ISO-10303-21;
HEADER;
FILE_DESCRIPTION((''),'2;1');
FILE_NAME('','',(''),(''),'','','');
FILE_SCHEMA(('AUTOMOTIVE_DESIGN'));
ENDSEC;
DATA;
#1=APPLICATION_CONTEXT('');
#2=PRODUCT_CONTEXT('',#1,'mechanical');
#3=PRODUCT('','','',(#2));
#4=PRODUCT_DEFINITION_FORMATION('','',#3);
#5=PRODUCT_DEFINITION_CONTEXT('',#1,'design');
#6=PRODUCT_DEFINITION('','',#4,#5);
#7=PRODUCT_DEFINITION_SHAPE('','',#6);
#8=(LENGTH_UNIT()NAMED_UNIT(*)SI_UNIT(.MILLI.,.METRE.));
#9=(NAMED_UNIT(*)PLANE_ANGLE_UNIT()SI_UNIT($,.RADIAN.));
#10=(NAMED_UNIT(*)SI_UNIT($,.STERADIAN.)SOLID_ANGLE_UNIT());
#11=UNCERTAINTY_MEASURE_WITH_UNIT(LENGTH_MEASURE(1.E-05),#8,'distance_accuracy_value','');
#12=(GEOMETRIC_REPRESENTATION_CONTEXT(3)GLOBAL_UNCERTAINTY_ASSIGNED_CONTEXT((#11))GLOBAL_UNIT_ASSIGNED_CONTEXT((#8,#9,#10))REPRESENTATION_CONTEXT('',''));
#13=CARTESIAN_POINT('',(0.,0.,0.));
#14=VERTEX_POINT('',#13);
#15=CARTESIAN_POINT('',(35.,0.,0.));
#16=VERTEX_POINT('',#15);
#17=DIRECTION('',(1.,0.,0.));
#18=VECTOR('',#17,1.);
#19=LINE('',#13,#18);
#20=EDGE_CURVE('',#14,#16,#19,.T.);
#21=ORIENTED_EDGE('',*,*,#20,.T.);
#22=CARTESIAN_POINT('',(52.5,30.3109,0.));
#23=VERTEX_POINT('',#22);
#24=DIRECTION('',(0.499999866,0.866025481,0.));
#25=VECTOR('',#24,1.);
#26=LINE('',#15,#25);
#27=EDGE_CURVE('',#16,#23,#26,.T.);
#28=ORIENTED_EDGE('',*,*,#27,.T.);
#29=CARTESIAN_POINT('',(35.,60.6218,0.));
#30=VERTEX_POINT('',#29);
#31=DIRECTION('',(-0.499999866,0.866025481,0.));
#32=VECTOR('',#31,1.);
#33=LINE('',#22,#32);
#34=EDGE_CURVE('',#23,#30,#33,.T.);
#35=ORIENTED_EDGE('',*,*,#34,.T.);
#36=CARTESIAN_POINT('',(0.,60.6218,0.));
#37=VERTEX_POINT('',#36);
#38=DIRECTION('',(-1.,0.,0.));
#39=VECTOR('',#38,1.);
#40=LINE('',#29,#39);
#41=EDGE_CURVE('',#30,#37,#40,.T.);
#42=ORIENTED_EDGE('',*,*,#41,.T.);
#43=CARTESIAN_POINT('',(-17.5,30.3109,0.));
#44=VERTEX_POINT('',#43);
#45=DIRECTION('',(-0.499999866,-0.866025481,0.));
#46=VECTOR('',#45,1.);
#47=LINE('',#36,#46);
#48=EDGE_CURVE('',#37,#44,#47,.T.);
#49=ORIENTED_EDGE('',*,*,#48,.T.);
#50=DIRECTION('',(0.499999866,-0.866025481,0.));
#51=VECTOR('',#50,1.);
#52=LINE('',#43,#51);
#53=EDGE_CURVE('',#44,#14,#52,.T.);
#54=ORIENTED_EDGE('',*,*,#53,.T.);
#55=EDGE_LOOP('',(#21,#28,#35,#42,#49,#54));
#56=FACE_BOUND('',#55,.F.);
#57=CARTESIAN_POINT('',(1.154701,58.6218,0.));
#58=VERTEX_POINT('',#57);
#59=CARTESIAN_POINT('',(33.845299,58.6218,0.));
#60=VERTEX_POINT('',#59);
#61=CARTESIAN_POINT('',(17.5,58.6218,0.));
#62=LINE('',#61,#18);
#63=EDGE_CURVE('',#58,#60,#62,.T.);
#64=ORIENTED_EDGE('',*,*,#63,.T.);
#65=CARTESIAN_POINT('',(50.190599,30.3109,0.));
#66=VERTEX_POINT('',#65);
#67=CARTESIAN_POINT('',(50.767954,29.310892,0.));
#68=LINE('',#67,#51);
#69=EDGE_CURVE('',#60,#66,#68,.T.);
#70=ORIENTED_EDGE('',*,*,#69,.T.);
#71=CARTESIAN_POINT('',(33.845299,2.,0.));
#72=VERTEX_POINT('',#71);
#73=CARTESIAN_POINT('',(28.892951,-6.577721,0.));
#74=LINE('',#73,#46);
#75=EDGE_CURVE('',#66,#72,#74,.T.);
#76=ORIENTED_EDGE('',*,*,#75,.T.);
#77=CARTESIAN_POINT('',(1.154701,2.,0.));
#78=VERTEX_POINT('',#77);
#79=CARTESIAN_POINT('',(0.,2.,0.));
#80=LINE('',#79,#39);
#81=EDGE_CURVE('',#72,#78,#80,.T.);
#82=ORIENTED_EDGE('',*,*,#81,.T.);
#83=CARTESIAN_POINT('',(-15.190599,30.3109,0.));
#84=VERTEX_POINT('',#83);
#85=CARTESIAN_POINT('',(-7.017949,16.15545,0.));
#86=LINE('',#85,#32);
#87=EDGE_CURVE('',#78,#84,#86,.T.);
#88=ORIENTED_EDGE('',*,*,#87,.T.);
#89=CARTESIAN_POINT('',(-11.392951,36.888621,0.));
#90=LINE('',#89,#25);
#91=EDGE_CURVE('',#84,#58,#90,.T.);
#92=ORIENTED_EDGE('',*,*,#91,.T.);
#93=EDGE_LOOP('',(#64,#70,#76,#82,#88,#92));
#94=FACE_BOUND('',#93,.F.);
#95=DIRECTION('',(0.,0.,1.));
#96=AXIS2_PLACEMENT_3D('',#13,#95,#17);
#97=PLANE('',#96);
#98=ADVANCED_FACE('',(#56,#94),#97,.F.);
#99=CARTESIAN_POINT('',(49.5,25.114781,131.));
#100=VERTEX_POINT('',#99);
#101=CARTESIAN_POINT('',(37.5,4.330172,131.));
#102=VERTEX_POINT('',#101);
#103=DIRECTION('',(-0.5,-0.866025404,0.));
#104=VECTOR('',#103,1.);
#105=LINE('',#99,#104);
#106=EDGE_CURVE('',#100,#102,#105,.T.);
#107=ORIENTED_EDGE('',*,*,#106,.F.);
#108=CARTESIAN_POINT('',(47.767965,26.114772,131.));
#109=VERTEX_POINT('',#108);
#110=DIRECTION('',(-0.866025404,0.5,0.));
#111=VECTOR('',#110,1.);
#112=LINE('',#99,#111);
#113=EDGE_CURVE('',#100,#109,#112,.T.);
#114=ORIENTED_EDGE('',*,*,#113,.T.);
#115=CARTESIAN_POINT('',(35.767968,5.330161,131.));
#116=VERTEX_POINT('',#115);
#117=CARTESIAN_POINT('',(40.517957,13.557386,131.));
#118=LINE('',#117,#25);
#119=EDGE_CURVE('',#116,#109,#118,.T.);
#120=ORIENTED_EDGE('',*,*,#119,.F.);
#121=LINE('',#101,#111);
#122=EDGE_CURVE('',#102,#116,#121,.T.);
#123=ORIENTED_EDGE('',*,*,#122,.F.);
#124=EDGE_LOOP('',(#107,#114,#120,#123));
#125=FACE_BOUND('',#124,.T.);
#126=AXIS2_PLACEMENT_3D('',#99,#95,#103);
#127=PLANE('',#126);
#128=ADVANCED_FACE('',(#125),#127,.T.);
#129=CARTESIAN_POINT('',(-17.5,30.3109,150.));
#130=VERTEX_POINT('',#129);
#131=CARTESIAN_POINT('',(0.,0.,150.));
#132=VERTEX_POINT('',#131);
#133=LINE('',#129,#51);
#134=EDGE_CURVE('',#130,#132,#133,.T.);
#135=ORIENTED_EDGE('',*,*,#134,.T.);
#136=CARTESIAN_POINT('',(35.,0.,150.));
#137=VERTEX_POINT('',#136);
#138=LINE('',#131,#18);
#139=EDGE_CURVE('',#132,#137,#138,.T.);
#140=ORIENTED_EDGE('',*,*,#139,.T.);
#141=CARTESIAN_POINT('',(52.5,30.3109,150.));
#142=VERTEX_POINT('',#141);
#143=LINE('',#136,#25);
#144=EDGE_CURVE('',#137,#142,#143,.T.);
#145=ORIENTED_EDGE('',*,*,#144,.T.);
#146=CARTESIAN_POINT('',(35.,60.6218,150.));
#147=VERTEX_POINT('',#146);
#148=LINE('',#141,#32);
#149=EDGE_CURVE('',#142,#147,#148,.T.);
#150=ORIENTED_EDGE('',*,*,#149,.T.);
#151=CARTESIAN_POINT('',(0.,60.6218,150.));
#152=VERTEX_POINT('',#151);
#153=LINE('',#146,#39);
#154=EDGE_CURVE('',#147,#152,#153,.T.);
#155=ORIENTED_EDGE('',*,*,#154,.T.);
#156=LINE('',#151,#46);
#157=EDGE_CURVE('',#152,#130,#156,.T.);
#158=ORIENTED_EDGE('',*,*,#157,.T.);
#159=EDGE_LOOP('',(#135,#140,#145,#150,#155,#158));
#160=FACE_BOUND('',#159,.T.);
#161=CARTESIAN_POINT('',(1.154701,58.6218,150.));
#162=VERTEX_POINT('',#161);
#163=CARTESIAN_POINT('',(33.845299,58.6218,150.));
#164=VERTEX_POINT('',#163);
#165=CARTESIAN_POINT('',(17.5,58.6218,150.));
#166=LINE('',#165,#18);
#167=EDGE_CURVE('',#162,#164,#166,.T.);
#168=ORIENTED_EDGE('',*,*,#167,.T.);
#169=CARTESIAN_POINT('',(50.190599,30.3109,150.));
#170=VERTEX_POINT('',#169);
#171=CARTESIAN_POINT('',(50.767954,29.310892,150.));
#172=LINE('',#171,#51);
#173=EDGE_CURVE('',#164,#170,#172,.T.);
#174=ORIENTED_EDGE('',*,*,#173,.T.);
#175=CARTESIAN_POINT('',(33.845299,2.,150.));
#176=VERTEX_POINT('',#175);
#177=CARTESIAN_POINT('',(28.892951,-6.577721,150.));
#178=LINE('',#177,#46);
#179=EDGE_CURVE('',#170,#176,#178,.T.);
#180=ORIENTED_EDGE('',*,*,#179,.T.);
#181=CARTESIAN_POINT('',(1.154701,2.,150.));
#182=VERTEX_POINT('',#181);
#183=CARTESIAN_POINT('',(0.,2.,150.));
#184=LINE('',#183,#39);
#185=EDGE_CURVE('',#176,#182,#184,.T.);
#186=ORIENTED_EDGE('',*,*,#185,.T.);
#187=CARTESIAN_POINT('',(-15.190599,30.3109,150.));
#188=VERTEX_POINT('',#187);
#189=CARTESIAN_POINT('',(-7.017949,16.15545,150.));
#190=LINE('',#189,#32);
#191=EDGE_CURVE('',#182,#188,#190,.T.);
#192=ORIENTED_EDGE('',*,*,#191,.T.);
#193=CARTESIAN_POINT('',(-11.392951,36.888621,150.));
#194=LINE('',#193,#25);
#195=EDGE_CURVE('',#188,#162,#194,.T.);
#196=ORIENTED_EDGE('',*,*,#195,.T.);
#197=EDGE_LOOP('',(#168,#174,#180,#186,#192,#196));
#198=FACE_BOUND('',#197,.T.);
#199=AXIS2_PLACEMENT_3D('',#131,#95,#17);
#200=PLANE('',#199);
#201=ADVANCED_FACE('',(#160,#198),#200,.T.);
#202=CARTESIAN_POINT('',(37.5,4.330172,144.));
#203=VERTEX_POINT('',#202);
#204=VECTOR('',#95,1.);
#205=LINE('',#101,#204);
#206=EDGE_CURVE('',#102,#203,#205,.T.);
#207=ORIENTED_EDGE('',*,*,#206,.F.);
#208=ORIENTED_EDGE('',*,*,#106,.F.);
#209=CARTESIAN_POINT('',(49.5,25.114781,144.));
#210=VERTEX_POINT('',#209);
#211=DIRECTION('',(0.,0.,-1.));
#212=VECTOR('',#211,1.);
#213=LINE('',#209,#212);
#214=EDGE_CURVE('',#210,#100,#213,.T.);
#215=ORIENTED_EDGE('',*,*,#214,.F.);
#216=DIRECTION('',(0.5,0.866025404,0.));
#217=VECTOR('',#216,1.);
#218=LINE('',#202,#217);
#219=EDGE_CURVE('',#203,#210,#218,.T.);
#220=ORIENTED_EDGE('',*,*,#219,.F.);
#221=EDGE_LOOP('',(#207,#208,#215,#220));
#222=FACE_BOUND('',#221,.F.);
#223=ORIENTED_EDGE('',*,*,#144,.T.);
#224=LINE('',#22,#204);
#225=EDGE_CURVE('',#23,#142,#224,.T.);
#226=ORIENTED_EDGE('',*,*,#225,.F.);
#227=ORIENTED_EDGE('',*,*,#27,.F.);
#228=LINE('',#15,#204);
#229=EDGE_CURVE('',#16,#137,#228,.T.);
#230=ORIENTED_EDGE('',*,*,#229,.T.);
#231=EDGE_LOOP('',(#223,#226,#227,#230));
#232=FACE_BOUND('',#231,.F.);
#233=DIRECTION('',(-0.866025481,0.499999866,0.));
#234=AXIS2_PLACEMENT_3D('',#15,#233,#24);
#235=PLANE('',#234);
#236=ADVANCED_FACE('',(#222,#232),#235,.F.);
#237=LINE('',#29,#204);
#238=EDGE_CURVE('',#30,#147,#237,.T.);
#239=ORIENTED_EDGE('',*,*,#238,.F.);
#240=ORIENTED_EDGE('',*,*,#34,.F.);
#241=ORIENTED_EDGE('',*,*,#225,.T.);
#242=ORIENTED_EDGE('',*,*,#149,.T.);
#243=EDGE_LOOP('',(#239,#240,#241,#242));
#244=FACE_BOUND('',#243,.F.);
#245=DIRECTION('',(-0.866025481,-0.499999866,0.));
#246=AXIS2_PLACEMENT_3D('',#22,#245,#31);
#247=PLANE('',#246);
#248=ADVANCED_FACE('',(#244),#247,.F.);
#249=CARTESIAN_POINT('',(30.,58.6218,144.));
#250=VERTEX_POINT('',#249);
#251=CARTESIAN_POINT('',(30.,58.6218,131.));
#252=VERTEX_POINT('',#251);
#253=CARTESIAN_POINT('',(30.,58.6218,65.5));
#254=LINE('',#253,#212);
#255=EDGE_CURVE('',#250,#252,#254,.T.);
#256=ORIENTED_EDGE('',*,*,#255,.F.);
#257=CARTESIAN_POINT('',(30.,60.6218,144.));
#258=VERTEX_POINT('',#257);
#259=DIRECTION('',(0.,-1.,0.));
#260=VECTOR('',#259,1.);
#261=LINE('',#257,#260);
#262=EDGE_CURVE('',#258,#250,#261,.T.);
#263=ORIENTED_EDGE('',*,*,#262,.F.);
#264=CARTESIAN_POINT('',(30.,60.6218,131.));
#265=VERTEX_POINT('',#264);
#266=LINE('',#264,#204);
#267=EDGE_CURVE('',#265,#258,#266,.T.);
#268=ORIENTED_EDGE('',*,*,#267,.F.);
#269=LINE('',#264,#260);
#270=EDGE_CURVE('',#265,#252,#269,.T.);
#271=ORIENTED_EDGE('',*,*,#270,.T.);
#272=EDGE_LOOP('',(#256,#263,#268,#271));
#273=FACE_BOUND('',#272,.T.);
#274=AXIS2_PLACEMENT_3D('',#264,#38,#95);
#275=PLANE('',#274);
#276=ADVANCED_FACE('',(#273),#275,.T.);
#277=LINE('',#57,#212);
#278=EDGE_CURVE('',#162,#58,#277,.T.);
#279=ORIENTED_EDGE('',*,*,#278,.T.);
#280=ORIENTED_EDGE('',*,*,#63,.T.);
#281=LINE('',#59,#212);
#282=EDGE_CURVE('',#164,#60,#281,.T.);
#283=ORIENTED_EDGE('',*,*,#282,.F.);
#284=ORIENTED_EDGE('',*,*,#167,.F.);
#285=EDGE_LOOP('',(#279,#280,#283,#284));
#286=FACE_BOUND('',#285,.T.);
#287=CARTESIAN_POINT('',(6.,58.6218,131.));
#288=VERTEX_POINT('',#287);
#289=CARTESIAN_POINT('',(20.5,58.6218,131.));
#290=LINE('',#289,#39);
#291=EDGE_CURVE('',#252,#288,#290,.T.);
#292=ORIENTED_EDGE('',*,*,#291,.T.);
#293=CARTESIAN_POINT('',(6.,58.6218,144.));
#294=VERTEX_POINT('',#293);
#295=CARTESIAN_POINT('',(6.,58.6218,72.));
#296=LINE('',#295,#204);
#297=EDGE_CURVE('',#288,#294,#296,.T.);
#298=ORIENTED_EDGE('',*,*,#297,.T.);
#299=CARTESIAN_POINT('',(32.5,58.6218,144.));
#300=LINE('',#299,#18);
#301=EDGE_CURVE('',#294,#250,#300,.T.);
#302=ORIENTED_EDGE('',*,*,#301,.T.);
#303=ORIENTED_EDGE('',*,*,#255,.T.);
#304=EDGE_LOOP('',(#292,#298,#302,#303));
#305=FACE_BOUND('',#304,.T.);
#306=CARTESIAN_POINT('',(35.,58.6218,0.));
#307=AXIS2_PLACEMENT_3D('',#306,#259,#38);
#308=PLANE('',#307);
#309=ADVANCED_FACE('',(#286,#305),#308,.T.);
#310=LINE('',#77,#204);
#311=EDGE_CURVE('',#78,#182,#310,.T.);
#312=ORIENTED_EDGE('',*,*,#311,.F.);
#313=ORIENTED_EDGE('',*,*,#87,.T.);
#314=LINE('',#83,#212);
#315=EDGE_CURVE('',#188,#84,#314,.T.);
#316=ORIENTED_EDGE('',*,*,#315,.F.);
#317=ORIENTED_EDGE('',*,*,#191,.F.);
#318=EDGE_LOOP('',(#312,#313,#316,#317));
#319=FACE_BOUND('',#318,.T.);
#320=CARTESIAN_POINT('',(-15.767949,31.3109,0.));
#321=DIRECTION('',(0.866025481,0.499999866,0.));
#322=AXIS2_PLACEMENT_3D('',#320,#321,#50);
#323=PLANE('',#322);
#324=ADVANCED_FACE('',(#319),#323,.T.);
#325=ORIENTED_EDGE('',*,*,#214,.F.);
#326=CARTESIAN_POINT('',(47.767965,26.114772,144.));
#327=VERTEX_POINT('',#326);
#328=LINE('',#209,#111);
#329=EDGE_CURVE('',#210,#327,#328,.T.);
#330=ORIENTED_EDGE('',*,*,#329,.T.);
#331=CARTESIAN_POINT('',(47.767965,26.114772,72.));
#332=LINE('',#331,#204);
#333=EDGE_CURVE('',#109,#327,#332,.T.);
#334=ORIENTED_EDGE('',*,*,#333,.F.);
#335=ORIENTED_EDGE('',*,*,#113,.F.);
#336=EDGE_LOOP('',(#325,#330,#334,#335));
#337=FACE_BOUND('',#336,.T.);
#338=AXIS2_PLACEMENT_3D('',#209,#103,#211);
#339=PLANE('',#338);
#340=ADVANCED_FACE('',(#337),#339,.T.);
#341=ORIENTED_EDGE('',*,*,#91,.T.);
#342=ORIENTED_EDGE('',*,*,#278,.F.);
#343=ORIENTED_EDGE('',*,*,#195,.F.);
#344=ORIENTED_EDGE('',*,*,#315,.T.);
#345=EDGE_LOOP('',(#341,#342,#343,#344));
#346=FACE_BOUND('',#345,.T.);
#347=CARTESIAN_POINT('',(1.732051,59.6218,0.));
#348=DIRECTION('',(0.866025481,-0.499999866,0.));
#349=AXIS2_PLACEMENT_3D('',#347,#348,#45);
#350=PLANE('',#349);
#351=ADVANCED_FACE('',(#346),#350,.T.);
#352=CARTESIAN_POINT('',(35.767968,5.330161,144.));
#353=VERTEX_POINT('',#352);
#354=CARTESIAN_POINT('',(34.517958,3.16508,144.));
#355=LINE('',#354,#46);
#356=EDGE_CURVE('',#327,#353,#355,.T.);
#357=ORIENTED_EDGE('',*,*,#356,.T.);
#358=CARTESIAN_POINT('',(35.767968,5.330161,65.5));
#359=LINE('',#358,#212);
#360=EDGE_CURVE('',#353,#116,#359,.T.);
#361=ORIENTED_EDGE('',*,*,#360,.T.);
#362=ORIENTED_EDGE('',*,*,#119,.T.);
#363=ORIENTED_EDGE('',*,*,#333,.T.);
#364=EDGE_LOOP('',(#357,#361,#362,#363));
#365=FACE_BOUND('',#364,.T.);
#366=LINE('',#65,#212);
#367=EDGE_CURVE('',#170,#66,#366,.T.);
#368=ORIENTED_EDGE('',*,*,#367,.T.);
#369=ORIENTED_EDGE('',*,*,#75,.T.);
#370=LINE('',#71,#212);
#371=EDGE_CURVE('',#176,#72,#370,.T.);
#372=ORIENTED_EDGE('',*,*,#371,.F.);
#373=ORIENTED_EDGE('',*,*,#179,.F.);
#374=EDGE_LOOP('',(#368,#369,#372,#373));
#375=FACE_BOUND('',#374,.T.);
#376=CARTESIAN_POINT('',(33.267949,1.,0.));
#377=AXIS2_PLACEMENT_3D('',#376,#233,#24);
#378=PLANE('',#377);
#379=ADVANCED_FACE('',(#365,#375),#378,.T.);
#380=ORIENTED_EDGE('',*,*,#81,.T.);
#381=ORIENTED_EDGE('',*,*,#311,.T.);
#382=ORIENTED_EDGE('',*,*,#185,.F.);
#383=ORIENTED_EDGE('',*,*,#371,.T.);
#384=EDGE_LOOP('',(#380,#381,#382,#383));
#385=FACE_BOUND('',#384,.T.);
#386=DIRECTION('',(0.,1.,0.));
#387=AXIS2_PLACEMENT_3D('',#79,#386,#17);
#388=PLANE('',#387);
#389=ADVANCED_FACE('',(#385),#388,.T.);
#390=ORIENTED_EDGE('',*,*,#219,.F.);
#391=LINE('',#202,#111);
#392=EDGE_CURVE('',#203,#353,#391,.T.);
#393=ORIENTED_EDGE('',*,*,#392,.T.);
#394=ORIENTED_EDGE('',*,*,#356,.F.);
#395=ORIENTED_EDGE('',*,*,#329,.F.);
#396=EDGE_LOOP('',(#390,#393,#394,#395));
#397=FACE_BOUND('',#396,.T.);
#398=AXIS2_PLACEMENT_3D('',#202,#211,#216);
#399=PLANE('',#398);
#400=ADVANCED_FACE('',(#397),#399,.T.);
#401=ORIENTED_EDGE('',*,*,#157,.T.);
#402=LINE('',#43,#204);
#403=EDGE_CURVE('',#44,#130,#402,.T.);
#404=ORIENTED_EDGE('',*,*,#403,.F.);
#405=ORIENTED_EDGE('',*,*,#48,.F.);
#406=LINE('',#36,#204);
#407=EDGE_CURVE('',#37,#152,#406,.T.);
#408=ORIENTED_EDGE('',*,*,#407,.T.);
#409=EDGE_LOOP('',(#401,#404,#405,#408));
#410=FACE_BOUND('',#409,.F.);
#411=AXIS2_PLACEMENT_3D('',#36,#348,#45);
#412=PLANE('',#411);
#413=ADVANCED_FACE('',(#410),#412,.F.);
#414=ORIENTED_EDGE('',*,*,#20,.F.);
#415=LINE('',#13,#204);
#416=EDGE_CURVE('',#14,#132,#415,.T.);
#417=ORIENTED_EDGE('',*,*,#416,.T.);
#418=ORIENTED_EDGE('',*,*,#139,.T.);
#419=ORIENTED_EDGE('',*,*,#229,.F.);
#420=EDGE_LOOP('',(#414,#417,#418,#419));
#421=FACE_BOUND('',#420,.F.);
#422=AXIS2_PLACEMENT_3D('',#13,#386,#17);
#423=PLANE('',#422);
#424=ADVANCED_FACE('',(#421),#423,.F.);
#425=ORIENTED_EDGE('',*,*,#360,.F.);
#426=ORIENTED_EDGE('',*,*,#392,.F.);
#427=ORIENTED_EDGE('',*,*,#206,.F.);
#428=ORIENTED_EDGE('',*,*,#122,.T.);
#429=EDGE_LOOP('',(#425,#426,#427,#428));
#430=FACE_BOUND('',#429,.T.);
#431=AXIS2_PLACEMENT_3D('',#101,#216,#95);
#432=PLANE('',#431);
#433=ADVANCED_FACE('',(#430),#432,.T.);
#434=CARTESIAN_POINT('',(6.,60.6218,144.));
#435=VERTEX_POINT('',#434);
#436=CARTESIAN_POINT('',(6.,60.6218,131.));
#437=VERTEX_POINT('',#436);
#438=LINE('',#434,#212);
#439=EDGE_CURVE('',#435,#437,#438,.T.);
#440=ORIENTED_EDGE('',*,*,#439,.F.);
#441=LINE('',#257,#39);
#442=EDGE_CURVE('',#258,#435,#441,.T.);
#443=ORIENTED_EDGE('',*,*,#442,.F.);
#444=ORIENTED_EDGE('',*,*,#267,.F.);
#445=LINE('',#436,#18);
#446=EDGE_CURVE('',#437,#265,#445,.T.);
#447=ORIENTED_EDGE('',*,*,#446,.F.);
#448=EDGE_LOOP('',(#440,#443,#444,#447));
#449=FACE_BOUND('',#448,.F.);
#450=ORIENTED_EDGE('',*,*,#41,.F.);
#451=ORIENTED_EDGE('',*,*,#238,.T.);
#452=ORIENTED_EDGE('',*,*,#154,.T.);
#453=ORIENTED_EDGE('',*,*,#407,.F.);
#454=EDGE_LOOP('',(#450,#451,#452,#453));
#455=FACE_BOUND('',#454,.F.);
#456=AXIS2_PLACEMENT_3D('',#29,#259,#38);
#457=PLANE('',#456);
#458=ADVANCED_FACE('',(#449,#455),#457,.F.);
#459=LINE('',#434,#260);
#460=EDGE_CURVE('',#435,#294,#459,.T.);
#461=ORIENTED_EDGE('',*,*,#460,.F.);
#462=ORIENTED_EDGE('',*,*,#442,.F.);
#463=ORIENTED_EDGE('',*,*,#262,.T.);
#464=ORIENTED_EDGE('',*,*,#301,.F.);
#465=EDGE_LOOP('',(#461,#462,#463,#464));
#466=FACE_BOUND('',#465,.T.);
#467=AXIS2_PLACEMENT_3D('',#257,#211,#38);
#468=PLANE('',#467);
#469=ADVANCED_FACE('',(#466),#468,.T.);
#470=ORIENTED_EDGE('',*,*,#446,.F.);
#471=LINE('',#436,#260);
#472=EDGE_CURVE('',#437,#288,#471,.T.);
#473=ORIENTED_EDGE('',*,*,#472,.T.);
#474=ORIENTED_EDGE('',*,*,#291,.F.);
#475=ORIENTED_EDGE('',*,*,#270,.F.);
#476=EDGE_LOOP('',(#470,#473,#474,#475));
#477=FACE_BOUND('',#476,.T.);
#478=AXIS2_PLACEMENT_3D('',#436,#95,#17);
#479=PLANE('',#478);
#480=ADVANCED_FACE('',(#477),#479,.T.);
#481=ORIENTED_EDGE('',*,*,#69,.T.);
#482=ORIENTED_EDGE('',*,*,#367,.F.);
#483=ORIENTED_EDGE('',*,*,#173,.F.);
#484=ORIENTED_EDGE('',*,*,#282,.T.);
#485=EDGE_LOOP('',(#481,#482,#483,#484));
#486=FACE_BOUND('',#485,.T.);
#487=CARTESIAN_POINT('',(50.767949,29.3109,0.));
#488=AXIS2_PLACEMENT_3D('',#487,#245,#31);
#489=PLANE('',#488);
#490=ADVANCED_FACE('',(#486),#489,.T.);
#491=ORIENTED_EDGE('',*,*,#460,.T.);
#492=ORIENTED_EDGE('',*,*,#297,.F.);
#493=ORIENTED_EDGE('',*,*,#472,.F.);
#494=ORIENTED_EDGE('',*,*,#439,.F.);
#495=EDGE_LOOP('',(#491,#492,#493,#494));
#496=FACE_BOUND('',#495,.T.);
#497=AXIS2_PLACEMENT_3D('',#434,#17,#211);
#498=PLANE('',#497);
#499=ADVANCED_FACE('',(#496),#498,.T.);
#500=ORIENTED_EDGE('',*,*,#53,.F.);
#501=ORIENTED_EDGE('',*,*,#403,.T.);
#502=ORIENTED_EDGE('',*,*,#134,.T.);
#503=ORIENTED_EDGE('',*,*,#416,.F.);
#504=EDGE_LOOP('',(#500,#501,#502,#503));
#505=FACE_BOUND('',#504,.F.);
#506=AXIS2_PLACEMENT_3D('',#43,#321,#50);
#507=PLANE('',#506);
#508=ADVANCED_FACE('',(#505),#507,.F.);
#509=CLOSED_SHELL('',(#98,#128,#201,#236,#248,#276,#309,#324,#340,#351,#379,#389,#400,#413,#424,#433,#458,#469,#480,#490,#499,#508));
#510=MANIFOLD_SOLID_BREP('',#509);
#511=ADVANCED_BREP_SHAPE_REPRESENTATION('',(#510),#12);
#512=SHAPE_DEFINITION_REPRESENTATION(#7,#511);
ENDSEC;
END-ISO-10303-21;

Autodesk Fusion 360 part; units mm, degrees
sketch "Sketch1" plane through (0, 0, 0) normal (0, 0, 1) x (1, 0, 0)
  line L0 (0, 0) -> (35, 0)
  line L1 (35, 0) -> (52.5, 30.3109)
  line L2 (52.5, 30.3109) -> (35, 60.6218)
  line L3 (35, 60.6218) -> (0, 60.6218)
  line L4 (0, 60.6218) -> (-17.5, 30.3109)
  line L5 (-17.5, 30.3109) -> (0, 0)
  point P0 (17.5, 30.3109)
extrude "Extrude1" add sketch "Sketch1" along normal blind 150
shell "Shell1" thickness 2 removed faces 2 at (11.6667, 20.2073, 0) at (11.6667, 20.2073, 150)
sketch "Sketch2" plane through (0, 60.6218, 0) normal (0, 1, 0) x (-1, 0, 0)
  line L0 (-35, 0) -> (0, 0)
  line L1 (0, 0) -> (0, 150)
  line L2 (0, 150) -> (-35, 150)
  line L3 (-35, 150) -> (-35, 0)
  line L4 (-30, 144) -> (-6, 144)
  line L5 (-6, 144) -> (-6, 131)
  line L6 (-6, 131) -> (-30, 131)
  line L7 (-30, 131) -> (-30, 144)
extrude "Extrude2" cut sketch "Sketch2" against normal blind 12 contours L4 L5 L6 L7
sketch "Sketch3" plane through (0, 0, 0) normal (0, 0, 1) x (1, 0, 0)
  line L0 (0, 12) -> (0, 18)
sketch "Sketch4" plane through (26.25, -15.1554, 0) normal (0.866, -0.5, 0) x (0.5, 0.866, 0)
  line L0 (17.5, 0) -> (52.5, 0)
  line L1 (52.5, 0) -> (52.5, 150)
  line L2 (52.5, 150) -> (17.5, 150)
  line L3 (17.5, 150) -> (17.5, 0)
  line L4 (22.5, 144) -> (46.5, 144)
  line L5 (46.5, 144) -> (46.5, 131)
  line L6 (46.5, 131) -> (22.5, 131)
  line L7 (22.5, 131) -> (22.5, 144)
  point P0 (22.5, 144)
extrude "Extrude3" cut sketch "Sketch4" against normal blind 5.622 contours L4 L5 L6 L7
